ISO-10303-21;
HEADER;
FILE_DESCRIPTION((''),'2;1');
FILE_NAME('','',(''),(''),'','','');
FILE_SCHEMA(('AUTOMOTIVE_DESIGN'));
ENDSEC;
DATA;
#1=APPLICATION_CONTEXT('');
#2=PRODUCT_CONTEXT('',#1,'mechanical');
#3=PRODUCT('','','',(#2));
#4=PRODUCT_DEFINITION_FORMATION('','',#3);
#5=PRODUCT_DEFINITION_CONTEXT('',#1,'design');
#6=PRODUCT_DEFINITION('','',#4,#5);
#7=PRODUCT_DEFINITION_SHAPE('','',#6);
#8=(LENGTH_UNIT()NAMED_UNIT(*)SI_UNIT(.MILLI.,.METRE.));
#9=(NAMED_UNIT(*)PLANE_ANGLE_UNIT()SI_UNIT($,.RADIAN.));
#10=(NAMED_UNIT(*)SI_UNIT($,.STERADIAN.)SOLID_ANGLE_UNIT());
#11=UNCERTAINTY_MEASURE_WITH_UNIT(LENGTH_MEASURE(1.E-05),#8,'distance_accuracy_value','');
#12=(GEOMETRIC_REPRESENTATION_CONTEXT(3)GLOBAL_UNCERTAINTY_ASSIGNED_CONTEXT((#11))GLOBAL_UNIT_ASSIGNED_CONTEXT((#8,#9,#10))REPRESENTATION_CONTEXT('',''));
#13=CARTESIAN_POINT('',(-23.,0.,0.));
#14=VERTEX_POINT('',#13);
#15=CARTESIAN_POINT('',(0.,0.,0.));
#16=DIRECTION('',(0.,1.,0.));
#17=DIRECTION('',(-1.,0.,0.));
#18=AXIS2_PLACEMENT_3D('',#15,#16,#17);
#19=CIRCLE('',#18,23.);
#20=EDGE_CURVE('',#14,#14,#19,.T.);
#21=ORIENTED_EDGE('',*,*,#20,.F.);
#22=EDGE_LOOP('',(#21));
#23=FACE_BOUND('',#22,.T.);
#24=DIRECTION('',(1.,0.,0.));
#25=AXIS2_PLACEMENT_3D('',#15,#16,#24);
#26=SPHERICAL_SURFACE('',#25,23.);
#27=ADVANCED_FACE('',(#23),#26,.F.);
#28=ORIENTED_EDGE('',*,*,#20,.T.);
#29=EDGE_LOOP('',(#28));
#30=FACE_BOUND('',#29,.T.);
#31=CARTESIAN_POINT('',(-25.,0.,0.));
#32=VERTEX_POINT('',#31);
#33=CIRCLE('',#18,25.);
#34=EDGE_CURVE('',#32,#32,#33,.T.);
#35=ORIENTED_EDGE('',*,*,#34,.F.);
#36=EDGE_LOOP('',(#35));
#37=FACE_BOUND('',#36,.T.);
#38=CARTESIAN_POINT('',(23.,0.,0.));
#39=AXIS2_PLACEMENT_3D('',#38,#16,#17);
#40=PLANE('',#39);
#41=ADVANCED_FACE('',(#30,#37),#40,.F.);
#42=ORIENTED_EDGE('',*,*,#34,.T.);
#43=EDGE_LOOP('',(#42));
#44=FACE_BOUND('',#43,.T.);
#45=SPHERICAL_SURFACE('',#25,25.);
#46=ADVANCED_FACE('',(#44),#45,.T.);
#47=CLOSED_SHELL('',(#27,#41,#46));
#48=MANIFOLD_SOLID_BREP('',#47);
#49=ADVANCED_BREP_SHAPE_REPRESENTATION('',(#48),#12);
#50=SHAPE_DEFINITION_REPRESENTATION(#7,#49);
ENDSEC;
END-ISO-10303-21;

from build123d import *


with BuildPart() as part:
    # Sketch1 → Revolve1 (revolve)
    with BuildSketch(Plane.XY):
        with BuildLine():
            Line((0, 25), (0, 23))
            ThreePointArc((0, 23), (16.263455967, 16.263455967), (23, 0))
            Line((23, 0), (25, 0))
            ThreePointArc((25, 0), (17.67766953, 17.67766953), (0, 25))
        make_face()
    revolve(axis=Axis((0, 29.462489614, 0), (0, -1, 0)))


solid = part.part
